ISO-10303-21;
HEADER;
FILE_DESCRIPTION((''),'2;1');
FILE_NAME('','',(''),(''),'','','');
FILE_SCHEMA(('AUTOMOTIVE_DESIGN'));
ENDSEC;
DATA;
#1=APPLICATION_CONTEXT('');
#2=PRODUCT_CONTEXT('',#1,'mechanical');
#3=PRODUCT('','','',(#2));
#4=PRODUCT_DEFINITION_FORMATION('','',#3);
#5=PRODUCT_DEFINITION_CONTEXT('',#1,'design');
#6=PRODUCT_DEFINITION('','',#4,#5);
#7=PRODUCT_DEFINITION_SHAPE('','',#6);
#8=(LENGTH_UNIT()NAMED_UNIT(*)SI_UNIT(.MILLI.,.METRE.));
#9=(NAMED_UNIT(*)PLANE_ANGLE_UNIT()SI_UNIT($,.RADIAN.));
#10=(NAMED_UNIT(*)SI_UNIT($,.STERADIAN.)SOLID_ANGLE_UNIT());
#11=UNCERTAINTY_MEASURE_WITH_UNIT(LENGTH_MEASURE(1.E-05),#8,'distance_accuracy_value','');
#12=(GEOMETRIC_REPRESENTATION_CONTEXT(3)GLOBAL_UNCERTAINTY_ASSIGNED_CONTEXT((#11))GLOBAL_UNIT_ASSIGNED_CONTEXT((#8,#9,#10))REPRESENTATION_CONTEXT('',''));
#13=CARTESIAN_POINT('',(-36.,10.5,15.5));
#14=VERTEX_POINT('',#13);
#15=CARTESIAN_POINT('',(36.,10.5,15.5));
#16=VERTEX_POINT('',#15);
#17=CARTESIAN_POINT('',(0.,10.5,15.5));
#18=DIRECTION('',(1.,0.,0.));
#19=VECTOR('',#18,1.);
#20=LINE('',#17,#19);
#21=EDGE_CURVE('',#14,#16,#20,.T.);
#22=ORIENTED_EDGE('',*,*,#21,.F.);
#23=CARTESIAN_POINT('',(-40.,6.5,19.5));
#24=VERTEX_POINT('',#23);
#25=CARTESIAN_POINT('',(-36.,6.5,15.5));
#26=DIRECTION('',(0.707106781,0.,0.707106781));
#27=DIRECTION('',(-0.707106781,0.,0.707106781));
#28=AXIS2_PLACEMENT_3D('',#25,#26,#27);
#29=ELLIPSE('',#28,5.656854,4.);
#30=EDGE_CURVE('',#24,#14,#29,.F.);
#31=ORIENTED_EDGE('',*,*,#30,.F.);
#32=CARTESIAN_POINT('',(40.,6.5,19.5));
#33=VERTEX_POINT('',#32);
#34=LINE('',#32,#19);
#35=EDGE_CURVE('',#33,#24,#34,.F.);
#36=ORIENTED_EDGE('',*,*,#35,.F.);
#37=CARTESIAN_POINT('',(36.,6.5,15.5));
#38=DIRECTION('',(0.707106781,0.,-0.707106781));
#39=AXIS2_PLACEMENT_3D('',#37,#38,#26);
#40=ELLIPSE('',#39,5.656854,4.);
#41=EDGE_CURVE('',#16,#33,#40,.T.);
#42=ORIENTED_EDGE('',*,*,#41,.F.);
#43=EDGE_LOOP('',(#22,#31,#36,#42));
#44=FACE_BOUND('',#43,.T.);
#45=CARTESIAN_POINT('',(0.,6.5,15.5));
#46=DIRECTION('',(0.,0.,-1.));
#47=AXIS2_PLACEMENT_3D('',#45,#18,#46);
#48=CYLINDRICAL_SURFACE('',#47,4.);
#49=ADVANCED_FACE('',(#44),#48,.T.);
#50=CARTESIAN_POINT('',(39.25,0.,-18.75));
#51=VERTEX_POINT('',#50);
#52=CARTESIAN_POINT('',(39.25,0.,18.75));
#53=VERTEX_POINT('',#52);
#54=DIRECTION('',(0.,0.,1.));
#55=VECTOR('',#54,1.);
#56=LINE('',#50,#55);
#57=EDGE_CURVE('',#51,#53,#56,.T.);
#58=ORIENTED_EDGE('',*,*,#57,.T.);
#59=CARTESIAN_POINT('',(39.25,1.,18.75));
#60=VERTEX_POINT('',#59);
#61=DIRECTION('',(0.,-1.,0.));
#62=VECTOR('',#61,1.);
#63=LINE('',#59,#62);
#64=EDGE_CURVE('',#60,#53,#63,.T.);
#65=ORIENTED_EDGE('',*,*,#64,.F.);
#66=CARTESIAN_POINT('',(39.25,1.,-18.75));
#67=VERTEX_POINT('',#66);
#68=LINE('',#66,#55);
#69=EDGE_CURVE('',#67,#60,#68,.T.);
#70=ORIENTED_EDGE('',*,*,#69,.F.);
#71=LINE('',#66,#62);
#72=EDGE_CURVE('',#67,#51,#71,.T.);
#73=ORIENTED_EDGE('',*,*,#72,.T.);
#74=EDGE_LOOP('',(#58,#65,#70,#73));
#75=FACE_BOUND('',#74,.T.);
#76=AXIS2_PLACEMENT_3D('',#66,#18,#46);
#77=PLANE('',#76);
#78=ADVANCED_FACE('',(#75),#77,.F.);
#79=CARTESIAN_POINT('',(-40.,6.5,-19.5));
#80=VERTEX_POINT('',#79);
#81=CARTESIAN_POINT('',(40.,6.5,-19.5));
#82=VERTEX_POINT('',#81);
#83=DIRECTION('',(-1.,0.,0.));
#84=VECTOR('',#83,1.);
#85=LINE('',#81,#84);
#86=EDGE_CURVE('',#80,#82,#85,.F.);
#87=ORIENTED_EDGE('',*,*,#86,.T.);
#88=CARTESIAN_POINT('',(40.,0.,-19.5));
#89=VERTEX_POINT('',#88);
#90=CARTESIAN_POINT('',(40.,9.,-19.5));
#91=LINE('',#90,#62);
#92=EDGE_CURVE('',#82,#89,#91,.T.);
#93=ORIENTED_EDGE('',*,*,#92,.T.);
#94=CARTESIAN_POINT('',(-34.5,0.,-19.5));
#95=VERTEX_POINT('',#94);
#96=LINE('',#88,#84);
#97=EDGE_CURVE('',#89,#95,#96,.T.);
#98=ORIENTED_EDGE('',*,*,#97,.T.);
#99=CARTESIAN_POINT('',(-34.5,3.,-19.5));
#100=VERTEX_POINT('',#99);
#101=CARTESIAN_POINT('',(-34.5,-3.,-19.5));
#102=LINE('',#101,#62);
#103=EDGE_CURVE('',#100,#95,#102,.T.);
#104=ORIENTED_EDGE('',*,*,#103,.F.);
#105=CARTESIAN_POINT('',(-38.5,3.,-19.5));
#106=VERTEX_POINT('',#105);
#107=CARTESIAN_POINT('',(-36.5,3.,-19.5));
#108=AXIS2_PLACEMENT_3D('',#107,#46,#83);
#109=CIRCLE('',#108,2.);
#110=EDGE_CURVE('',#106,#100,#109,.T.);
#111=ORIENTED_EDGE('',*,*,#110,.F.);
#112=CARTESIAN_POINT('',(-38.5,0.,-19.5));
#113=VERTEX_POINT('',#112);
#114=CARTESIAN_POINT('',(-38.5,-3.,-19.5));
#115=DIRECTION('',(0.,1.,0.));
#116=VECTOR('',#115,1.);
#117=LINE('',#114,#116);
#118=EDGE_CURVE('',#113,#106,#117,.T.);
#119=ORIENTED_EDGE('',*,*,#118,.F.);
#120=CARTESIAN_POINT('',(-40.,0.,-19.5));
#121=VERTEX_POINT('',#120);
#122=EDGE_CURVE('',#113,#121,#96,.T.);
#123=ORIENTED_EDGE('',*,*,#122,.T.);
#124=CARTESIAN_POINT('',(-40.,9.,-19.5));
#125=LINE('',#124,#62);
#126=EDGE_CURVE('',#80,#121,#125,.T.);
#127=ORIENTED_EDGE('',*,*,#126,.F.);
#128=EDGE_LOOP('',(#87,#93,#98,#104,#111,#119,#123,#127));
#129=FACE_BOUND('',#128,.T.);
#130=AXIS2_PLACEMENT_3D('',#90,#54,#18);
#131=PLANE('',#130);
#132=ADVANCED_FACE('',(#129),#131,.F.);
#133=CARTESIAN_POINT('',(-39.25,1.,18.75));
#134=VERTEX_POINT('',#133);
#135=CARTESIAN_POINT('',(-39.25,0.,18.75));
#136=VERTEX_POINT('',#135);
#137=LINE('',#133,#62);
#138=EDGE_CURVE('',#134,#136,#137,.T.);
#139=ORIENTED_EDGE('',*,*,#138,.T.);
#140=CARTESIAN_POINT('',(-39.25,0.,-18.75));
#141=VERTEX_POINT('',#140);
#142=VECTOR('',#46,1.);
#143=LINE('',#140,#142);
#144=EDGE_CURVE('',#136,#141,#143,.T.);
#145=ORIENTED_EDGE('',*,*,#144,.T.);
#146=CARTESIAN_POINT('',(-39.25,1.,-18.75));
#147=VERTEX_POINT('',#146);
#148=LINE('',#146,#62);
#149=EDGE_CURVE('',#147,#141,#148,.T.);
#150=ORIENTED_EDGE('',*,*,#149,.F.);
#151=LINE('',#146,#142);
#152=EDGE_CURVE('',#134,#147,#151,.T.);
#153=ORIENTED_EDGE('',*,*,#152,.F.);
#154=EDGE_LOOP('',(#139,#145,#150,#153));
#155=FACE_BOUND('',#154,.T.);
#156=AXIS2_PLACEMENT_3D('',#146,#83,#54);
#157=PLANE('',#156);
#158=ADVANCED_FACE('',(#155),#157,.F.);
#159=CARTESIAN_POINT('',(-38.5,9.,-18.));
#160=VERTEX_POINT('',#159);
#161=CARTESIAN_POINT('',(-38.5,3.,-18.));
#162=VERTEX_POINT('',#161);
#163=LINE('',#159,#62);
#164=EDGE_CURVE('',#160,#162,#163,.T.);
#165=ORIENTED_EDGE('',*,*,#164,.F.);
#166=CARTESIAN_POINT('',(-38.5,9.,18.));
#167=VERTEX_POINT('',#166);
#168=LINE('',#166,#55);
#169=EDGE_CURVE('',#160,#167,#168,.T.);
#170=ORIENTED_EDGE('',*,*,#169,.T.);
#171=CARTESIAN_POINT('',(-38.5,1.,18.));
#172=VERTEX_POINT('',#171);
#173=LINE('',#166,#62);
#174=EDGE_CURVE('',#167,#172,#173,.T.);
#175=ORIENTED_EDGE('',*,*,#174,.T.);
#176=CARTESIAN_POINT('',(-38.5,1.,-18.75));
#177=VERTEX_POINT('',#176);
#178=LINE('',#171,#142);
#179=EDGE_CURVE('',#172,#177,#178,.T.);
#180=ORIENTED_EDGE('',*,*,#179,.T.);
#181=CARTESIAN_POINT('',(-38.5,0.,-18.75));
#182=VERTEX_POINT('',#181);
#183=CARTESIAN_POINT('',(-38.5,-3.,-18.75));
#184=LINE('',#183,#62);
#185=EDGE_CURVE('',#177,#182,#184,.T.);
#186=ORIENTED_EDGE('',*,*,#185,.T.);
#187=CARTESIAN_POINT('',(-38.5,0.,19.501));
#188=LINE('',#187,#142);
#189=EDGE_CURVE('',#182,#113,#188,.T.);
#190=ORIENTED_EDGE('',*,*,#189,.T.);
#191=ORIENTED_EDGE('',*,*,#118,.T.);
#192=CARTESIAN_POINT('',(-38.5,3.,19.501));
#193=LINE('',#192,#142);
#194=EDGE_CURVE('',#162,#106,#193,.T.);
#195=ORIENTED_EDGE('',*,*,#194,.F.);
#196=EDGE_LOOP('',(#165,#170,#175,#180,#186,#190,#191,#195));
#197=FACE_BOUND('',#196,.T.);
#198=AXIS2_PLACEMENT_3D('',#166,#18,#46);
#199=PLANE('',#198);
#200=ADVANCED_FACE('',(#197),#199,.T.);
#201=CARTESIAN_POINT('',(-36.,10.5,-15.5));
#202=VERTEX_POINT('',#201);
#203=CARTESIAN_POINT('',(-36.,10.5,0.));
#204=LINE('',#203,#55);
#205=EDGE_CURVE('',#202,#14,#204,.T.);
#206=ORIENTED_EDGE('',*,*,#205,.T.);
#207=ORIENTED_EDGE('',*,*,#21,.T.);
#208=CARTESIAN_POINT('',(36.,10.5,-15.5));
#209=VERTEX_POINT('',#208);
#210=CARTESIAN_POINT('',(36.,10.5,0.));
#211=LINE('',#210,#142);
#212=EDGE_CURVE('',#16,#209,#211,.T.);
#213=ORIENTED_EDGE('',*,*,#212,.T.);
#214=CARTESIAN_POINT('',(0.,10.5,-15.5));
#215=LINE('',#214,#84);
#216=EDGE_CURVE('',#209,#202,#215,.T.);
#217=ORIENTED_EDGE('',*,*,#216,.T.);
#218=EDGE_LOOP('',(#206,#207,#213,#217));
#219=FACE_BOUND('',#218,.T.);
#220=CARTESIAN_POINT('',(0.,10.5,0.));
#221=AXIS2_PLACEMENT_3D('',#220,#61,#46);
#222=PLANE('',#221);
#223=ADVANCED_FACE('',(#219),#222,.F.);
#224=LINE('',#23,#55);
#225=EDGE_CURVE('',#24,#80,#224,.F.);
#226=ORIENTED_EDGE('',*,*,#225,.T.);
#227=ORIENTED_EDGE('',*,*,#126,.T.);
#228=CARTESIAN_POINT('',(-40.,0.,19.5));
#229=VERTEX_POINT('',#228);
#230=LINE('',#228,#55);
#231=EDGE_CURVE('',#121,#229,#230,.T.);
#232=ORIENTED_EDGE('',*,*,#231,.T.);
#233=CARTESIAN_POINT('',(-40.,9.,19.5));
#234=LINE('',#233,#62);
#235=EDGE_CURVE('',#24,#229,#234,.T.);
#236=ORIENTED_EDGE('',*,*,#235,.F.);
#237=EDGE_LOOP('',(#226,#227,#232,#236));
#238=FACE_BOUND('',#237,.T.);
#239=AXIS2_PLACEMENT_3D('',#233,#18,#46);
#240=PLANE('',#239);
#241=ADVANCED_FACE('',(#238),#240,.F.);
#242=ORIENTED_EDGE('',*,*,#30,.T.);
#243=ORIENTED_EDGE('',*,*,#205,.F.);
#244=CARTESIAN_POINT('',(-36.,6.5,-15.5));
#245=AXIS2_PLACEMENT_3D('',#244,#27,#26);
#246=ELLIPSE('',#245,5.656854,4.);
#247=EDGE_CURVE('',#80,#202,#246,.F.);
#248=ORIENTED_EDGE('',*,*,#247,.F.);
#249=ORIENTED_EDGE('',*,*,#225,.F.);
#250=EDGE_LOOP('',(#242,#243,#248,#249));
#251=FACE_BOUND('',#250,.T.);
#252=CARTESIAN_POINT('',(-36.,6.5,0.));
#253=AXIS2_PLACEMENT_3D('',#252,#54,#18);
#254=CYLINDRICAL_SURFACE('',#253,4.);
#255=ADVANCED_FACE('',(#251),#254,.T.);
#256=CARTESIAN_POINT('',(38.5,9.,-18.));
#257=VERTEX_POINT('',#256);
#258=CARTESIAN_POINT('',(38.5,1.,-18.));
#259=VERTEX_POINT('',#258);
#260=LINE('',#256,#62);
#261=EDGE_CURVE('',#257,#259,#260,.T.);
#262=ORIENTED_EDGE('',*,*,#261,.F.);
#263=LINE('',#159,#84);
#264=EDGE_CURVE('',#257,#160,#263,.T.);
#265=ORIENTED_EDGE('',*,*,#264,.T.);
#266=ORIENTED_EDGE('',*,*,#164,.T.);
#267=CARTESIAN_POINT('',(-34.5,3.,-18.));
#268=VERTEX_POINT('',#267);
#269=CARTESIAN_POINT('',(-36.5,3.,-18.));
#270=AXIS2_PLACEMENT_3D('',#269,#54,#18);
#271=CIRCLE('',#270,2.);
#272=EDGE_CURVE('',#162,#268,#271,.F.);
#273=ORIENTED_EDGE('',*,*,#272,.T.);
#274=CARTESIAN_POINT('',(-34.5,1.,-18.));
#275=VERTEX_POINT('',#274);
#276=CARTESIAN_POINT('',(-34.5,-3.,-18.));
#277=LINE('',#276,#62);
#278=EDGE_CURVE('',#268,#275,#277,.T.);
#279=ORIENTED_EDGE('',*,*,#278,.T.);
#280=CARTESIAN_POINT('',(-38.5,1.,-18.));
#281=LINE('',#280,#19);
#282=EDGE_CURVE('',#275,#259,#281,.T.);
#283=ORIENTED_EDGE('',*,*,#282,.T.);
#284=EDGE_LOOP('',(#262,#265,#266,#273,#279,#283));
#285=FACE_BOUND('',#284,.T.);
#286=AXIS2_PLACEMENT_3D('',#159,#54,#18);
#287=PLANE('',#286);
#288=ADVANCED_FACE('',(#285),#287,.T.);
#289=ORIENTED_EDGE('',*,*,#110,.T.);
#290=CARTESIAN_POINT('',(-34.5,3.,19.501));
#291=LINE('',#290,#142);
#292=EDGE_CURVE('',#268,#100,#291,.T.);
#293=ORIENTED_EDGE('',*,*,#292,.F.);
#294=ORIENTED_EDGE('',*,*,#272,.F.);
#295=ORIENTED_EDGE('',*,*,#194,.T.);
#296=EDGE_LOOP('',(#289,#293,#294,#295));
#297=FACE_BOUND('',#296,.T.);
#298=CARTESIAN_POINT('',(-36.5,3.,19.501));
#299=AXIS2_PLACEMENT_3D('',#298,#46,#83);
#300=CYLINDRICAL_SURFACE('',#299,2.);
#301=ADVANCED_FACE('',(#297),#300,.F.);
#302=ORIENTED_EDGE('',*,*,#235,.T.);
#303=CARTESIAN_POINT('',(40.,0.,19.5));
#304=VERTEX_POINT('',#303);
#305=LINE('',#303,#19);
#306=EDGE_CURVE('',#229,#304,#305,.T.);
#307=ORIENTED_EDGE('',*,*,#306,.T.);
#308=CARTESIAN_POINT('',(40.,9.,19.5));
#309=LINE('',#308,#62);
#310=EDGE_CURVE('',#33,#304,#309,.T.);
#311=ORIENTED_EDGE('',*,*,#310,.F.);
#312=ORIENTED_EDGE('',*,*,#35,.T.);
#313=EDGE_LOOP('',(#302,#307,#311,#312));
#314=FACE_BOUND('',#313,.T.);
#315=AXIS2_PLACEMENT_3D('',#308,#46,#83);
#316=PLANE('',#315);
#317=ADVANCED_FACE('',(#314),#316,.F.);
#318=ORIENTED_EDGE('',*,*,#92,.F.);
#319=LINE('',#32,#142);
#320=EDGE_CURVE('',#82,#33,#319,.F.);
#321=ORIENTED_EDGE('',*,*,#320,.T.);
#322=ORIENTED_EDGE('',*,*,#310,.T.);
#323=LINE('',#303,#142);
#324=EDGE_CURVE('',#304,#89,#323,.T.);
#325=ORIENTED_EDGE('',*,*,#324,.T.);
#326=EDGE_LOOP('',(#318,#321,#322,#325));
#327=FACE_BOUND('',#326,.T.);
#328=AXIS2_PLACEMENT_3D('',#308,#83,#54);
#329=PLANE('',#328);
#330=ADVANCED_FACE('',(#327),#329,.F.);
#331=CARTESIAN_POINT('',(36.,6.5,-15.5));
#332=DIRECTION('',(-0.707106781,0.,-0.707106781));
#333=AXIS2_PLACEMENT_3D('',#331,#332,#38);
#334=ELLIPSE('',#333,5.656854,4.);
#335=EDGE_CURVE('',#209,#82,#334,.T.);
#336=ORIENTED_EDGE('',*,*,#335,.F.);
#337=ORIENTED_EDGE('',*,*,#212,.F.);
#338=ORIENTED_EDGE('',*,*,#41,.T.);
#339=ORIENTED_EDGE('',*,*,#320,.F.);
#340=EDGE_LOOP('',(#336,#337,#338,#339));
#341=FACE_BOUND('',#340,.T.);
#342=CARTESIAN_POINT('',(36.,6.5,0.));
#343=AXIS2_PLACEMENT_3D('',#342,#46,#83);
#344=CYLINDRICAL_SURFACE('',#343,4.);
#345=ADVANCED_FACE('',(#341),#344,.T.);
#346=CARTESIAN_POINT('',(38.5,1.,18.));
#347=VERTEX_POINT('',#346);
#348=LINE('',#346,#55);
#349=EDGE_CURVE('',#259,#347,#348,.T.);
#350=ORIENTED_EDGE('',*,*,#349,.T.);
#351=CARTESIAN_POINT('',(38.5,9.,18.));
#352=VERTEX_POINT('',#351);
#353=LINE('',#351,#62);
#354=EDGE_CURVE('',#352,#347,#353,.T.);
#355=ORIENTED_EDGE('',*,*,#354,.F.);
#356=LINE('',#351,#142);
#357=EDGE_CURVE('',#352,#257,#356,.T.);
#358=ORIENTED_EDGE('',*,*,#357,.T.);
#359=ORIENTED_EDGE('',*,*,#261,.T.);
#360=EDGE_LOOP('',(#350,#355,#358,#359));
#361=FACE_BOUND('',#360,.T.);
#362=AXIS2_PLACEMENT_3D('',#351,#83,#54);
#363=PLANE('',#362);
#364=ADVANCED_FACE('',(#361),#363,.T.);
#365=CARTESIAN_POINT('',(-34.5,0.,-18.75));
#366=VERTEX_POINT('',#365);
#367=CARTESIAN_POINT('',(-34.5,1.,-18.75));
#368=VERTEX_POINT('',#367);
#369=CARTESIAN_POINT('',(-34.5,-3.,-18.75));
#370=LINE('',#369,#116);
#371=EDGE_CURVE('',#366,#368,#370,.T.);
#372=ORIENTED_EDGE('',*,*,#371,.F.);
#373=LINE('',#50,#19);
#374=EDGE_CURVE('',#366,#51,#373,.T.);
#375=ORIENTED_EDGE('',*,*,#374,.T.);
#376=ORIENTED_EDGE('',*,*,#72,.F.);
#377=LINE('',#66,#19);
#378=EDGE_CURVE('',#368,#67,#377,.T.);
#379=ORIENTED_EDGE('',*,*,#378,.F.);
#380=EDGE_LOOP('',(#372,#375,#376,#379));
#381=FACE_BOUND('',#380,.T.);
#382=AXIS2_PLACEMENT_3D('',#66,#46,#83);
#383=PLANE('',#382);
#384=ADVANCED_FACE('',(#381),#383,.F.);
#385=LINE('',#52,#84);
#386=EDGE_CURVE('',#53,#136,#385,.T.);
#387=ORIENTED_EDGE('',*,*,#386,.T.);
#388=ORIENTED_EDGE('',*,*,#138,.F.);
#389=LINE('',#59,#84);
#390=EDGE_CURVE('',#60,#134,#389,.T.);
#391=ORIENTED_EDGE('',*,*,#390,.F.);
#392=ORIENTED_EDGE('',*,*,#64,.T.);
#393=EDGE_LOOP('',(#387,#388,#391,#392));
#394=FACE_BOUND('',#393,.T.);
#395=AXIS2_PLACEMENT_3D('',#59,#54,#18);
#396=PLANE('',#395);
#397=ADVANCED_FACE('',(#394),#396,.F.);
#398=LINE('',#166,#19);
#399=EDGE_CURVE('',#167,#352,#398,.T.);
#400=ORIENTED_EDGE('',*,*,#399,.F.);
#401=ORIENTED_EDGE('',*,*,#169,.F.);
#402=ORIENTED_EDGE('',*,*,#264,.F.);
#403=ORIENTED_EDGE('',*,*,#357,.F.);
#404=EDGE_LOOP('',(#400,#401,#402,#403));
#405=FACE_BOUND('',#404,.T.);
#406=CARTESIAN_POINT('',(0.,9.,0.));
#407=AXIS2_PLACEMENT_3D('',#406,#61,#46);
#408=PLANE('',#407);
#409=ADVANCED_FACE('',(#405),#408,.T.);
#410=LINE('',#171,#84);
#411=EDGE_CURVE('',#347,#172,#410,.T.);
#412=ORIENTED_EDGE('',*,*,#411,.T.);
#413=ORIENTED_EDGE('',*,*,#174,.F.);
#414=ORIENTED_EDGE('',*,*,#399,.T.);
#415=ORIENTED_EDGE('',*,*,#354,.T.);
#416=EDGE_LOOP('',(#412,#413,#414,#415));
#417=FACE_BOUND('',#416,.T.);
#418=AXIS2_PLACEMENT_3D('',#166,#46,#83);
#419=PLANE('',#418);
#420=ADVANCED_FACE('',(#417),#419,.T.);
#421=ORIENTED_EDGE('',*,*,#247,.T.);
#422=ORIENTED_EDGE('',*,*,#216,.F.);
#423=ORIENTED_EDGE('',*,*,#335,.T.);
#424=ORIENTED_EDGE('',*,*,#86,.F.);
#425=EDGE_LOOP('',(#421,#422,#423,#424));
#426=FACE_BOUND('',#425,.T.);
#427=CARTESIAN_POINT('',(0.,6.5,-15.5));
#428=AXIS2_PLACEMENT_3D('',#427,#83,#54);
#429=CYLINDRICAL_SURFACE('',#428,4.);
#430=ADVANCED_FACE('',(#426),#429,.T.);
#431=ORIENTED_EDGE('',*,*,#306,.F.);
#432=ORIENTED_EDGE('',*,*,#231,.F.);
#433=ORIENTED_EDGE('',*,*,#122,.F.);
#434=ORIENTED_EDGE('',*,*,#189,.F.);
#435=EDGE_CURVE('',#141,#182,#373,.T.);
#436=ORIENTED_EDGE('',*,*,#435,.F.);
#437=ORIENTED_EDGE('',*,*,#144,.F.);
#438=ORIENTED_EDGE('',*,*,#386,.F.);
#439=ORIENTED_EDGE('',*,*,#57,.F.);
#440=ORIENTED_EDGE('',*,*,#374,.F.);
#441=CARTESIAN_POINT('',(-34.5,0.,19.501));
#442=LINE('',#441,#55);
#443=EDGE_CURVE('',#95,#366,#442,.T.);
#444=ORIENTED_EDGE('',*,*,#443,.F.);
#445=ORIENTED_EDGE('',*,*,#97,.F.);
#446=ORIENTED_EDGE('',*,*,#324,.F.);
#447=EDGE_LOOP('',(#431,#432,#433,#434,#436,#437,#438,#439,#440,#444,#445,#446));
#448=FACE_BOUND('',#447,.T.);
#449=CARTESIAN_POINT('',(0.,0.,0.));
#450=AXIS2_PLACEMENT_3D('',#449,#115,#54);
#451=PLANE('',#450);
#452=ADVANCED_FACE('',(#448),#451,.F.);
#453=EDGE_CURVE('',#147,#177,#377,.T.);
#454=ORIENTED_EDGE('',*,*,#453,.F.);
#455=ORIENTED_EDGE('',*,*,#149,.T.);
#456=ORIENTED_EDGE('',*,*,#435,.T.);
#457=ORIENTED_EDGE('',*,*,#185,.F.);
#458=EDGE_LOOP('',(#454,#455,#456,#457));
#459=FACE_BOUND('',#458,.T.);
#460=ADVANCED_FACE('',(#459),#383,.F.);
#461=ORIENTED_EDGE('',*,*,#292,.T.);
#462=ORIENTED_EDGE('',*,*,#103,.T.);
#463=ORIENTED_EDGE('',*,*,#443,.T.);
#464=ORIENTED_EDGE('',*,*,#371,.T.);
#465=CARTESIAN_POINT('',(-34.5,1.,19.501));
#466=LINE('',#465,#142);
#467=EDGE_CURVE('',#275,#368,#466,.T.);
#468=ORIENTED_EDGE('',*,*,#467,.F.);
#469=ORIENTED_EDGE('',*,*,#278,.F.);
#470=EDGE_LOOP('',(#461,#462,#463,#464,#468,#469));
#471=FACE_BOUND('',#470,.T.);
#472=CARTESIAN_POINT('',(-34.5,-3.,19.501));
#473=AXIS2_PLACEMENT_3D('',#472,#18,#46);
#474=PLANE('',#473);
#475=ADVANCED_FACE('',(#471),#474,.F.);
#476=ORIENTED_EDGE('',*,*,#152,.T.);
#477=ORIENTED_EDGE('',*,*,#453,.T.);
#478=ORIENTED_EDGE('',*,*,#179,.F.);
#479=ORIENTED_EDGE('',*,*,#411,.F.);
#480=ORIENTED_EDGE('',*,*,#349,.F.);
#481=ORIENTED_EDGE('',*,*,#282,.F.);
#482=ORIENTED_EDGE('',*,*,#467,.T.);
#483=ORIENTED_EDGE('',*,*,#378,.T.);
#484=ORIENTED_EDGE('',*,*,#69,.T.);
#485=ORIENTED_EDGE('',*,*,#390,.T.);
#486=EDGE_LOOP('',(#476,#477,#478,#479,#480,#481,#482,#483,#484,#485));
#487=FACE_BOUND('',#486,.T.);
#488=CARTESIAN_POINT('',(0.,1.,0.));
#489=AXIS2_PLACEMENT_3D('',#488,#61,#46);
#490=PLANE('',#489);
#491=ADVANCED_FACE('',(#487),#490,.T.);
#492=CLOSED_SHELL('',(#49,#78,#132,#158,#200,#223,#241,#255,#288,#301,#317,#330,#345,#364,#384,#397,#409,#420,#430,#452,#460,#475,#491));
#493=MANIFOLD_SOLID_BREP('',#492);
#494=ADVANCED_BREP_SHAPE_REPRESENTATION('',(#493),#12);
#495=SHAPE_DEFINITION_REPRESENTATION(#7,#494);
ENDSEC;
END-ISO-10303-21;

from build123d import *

# Parameters (mm, degrees)
SKETCH1_W           = 80
SKETCH1_H           = 39
SKETCH1_W_2         = 77
SKETCH1_H_2         = 36
BOSS_EXTRUDE1_DEPTH = 9
SKETCH2_W           = 80
SKETCH2_H           = 39
BOSS_EXTRUDE2_DEPTH = 1.5
SKETCH4_W           = 78.5
SKETCH4_H           = 37.5
CUT_EXTRUDE1_DEPTH  = 1
FILLET1_R           = 4
CUT_EXTRUDE2_REACH  = 58.844


with BuildPart() as part:
    # Sketch1 → Boss-Extrude1 (new body)
    with BuildSketch(Plane(origin=(0, 0, 0), x_dir=(1, 0, 0), z_dir=(0, 1, 0))):
        Rectangle(SKETCH1_W, SKETCH1_H)
        Rectangle(SKETCH1_W_2, SKETCH1_H_2, mode=Mode.SUBTRACT)
    extrude(amount=BOSS_EXTRUDE1_DEPTH)

    # Sketch2 → Boss-Extrude2 (add)
    with BuildSketch(Plane(origin=(0, 9, 0), x_dir=(1, 0, 0), z_dir=(0, 1, 0))):
        Rectangle(SKETCH2_W, SKETCH2_H)
    extrude(amount=BOSS_EXTRUDE2_DEPTH)

    # Sketch4 → Cut-Extrude1 (cut)
    with BuildSketch(Plane.XZ):
        Rectangle(SKETCH4_W, SKETCH4_H)
    extrude(amount=-CUT_EXTRUDE1_DEPTH, mode=Mode.SUBTRACT)

    # Fillet1
    fillet1_edges = [part.edges().sort_by_distance(p)[0] for p in [
        (-40, 10.5, 0),
        (0, 10.5, 19.5),
        (40, 10.5, 0),
        (0, 10.5, -19.5),
    ]]
    fillet(fillet1_edges, radius=FILLET1_R)

    # Sketch5 → Cut-Extrude2 (cut, up to next)
    with BuildSketch(Plane(origin=(0, 0, -19.5), x_dir=(-1, 0, 0), z_dir=(0, 0, -1)), mode=Mode.PRIVATE) as cut_extrude2_sk1:
        with BuildLine():
            Line((34.5, -3), (34.5, 3))
            ThreePointArc((34.5, 3), (36.5, 5), (38.5, 3))
            Line((38.5, 3), (38.5, -3))
            ThreePointArc((38.5, -3), (36.5, -5), (34.5, -3))
        make_face()
    cut_extrude2_tool1 = extrude(cut_extrude2_sk1.sketch, amount=-CUT_EXTRUDE2_REACH, mode=Mode.PRIVATE) & part.part
    add(cut_extrude2_tool1.solids().sort_by_distance((-36.5, 0, -19.5))[0], mode=Mode.SUBTRACT)


solid = part.part
